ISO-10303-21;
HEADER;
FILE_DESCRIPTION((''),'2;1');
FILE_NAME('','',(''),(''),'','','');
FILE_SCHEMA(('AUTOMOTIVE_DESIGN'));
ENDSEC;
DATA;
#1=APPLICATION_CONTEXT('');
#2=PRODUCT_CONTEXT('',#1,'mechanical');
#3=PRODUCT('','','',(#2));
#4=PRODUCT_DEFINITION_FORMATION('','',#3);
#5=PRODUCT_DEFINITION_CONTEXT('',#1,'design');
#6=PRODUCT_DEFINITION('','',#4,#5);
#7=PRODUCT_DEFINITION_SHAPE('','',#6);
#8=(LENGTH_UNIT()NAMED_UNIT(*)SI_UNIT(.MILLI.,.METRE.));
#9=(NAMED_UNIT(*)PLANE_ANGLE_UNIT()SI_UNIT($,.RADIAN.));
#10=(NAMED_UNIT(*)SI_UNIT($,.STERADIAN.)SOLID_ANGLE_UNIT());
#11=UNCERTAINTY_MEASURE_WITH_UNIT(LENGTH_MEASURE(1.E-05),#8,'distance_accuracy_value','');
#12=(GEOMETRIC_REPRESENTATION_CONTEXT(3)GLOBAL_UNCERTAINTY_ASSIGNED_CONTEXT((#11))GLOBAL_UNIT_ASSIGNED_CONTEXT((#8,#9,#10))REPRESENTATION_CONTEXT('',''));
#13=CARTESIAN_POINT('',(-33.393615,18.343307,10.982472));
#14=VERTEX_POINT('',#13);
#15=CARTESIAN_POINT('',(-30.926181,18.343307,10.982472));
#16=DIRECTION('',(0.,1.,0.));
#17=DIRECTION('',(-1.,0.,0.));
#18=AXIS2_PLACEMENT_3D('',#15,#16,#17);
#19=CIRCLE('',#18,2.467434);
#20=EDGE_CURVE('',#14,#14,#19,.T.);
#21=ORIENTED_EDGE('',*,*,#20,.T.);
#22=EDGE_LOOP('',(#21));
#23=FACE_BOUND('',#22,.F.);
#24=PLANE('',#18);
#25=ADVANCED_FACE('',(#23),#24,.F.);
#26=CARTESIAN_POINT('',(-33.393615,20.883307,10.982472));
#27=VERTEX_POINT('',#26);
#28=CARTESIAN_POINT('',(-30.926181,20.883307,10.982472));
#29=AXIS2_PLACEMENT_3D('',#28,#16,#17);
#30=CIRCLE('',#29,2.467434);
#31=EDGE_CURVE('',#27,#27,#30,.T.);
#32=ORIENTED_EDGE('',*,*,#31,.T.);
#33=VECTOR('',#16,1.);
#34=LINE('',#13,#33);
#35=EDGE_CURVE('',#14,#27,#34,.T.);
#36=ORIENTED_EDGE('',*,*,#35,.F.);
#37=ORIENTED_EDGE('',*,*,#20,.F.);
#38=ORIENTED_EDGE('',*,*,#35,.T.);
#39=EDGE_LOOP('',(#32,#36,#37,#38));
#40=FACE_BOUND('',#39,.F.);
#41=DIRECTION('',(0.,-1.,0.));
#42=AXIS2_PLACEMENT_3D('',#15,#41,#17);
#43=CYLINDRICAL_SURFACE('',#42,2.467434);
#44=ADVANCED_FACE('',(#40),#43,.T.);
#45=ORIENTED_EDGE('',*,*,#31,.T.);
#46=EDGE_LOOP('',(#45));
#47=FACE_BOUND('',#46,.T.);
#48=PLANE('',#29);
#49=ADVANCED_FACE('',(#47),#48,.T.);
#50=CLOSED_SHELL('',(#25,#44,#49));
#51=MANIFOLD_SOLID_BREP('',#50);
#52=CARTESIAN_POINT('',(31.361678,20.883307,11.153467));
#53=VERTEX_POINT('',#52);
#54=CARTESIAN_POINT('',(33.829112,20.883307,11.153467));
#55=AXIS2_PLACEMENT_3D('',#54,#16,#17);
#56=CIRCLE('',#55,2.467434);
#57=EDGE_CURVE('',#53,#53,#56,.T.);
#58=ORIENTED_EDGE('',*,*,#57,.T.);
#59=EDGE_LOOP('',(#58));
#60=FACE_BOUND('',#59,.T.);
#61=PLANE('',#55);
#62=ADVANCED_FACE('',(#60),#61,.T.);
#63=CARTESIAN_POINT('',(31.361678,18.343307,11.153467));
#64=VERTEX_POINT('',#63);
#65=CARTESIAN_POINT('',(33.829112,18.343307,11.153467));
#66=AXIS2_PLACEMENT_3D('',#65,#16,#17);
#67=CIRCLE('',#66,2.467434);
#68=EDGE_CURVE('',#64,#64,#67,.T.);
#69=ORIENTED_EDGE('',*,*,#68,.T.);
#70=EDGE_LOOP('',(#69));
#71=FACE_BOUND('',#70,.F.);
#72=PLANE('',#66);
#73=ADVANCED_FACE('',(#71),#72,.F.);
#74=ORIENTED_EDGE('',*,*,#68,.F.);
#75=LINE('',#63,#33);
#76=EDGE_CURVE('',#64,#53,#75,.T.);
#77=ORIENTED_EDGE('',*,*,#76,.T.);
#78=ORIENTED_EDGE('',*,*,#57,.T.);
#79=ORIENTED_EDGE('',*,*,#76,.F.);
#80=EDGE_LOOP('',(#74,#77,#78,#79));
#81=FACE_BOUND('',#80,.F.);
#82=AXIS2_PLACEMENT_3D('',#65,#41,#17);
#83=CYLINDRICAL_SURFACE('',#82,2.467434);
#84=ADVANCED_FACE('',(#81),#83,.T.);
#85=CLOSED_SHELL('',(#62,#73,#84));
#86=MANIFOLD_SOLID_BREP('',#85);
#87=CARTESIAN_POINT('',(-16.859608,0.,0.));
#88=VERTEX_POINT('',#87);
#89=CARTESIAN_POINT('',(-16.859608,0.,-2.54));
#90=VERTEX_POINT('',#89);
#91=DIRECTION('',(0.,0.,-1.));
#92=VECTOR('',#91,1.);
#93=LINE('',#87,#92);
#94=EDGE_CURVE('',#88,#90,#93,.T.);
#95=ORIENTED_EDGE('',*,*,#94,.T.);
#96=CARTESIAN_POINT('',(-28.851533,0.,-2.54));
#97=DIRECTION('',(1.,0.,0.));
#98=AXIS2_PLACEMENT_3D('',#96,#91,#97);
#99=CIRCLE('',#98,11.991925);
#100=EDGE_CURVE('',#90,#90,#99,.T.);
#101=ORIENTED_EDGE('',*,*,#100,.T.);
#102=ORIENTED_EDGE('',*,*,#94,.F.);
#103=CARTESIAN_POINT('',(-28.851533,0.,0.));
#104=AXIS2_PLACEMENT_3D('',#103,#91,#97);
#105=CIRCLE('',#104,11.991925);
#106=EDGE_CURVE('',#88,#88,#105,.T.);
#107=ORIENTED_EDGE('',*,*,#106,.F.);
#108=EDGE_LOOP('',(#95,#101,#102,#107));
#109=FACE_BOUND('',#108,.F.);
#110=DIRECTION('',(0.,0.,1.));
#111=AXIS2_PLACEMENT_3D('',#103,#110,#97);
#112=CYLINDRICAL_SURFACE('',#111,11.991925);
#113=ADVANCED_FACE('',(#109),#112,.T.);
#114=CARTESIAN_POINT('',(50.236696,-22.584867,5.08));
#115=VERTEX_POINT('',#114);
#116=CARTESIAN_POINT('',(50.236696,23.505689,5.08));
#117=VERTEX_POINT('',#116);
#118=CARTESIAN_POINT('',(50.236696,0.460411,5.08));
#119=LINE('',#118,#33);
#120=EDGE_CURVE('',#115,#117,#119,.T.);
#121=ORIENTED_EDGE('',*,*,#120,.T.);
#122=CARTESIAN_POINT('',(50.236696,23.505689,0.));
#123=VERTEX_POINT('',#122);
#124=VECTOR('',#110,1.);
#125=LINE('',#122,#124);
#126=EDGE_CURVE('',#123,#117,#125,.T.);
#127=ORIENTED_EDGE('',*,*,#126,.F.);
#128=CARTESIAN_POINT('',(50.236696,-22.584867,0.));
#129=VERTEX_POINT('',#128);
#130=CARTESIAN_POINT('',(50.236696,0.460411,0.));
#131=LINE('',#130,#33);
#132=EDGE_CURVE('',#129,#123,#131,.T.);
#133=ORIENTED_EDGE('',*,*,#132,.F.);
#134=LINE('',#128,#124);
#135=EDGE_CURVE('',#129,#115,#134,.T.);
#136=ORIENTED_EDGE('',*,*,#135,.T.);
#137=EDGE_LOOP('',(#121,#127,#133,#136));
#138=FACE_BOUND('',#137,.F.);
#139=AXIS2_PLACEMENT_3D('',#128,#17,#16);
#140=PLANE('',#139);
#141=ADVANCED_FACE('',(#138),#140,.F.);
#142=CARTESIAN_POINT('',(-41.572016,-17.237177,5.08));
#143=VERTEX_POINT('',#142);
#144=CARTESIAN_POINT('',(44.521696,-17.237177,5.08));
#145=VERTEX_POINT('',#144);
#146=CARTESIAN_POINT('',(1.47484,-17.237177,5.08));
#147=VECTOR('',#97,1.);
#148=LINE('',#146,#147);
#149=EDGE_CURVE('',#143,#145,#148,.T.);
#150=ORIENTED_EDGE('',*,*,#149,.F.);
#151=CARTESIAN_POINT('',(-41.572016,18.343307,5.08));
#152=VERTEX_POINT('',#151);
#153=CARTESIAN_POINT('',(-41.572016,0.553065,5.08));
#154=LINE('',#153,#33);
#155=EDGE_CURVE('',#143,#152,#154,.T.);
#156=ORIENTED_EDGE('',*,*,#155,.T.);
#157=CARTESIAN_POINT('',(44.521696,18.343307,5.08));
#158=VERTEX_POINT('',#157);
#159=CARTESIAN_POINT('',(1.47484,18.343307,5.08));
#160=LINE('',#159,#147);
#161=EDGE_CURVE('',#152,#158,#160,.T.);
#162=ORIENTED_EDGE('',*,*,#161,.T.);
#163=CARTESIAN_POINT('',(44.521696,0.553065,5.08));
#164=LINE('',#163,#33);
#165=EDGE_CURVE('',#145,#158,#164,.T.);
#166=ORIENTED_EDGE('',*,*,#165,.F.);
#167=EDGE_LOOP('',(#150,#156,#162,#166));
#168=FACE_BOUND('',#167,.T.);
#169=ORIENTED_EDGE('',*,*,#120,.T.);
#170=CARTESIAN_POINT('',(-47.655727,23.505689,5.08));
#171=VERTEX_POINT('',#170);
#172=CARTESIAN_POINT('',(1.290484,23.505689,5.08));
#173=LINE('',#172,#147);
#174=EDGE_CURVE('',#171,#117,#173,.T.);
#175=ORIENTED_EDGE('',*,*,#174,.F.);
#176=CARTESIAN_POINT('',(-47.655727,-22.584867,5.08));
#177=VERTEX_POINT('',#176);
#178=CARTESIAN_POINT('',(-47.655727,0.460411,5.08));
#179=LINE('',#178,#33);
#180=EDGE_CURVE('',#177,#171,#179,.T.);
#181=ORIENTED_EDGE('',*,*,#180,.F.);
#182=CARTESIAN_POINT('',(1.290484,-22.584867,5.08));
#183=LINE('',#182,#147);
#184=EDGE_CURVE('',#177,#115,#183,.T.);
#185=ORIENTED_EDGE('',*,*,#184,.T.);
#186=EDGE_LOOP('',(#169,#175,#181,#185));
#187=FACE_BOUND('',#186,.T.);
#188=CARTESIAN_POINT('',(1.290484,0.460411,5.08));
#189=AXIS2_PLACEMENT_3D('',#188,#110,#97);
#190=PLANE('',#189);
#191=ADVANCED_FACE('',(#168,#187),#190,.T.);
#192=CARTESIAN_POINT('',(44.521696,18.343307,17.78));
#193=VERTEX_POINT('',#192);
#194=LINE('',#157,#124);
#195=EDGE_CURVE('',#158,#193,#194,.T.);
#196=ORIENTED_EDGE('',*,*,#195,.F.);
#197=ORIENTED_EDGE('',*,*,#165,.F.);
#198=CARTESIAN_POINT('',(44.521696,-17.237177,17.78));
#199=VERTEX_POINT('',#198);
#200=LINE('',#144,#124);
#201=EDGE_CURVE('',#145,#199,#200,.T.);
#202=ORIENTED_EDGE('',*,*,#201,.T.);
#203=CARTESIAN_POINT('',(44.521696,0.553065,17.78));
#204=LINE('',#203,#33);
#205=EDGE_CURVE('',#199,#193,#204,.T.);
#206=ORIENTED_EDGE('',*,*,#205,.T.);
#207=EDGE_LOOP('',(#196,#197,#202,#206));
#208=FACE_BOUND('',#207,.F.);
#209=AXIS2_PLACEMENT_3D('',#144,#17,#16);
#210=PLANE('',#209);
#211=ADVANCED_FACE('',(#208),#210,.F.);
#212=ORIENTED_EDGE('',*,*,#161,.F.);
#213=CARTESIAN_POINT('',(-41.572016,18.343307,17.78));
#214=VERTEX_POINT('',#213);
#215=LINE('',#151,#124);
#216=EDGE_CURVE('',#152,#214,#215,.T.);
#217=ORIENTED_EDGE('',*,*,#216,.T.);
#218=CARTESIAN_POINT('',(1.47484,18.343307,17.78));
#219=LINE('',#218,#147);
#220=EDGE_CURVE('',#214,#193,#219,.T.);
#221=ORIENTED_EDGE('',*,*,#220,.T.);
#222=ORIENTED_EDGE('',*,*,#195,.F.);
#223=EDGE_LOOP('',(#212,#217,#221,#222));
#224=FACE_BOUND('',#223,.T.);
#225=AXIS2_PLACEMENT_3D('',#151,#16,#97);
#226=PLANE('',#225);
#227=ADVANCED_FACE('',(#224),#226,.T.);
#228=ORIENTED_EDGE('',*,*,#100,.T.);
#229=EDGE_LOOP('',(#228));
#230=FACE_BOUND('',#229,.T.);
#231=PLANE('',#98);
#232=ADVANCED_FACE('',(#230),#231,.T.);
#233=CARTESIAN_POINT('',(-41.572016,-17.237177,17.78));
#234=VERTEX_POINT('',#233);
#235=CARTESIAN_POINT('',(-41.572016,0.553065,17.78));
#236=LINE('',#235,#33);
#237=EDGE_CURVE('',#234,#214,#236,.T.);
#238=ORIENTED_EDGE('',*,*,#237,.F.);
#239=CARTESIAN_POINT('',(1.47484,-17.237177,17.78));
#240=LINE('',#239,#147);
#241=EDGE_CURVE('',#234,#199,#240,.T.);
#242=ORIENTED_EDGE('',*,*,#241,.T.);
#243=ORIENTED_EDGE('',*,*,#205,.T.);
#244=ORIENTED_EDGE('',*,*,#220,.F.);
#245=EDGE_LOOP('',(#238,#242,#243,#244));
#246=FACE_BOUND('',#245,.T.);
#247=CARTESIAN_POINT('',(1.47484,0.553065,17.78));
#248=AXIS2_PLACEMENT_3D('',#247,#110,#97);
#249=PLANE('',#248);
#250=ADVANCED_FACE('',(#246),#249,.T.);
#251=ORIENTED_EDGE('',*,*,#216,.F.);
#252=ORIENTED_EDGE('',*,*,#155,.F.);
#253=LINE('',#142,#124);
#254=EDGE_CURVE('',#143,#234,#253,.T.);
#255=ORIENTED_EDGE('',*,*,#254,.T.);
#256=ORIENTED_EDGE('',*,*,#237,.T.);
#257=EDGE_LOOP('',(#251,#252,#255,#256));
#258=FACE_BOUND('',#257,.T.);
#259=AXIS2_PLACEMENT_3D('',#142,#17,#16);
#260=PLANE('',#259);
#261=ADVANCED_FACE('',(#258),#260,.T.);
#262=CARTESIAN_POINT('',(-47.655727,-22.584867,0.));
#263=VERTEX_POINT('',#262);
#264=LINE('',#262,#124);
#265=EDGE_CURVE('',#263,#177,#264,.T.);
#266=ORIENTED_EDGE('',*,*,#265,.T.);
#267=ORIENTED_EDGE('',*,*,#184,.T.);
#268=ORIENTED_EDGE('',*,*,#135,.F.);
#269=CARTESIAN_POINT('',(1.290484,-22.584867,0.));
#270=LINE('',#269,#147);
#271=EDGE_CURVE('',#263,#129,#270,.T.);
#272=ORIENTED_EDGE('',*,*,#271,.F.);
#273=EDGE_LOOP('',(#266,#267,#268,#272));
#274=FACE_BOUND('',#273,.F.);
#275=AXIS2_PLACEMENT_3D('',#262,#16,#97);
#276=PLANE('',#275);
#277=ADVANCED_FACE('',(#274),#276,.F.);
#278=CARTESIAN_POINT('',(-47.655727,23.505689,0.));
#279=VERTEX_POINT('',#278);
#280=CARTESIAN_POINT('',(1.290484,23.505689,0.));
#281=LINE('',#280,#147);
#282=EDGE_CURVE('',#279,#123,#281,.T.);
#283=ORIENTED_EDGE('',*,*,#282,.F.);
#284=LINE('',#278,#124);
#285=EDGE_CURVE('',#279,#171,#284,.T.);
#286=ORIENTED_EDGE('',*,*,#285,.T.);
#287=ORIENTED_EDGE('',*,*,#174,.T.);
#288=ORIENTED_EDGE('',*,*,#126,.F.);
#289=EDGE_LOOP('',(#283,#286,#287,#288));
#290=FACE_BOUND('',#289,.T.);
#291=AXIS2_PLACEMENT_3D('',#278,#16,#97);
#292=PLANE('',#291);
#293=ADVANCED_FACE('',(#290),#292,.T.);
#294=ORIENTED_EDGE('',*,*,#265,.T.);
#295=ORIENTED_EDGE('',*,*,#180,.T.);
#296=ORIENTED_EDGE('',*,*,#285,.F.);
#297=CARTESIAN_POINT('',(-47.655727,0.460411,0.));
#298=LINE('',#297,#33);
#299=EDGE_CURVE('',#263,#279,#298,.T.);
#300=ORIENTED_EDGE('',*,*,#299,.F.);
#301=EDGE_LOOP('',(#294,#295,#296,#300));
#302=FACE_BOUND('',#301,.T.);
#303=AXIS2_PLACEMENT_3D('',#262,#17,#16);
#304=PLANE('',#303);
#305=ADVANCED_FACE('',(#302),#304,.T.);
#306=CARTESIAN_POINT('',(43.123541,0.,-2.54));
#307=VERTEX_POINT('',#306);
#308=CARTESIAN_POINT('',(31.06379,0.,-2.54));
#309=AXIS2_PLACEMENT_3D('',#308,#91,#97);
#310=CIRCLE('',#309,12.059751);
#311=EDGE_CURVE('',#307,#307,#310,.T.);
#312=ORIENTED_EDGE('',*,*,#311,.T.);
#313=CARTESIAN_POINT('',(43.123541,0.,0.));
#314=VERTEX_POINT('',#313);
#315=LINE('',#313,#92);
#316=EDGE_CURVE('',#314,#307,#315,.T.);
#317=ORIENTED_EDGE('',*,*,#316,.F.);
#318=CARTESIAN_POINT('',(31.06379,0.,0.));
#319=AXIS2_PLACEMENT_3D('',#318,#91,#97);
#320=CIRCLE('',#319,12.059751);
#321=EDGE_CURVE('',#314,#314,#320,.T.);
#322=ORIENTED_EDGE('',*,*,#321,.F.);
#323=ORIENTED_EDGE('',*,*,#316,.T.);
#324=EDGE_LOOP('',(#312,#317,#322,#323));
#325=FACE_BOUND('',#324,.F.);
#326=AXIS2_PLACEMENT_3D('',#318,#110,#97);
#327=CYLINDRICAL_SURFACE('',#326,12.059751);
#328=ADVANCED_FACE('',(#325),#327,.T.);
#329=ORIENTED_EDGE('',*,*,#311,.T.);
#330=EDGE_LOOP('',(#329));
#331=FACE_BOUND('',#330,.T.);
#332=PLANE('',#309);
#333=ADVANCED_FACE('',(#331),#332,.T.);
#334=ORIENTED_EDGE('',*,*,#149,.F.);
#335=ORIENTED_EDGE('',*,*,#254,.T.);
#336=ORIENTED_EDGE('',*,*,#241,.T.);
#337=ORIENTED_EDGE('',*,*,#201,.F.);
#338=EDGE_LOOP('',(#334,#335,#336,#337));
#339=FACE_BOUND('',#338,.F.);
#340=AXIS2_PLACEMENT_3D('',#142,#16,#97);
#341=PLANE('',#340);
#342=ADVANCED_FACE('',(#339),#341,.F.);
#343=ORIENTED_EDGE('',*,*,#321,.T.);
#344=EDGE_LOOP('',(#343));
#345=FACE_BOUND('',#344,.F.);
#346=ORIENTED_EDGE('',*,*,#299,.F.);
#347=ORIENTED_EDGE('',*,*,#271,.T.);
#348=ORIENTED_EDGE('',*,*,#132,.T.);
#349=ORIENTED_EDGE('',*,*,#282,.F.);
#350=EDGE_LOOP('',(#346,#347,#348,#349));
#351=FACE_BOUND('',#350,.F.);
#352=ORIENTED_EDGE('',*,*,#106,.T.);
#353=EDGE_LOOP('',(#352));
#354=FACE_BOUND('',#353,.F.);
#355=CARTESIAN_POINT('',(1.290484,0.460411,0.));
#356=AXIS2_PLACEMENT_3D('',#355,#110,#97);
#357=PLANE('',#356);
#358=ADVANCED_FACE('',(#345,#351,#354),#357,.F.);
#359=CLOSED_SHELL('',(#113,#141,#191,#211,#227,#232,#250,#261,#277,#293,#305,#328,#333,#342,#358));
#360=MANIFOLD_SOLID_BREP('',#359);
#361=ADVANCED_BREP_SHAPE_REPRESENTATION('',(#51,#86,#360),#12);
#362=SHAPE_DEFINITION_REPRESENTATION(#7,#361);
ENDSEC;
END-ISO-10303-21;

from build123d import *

# Parameters (mm, degrees)
F0_W     = 97.892423
F0_H     = 46.090555
F1_DEPTH = 5.08
F2_W     = 86.093713
F2_H     = 35.580484
F3_DEPTH = 12.7
F4_R     = 11.991925
F4_R_2   = 12.059751
F5_DEPTH = 2.54
F6_R     = 2.467434
F7_DEPTH = 2.54


with BuildPart() as f1:
    # F0 (on Top) → F1 (new body)
    with BuildSketch(Plane.XY):
        with Locations((1.290484, 0.460411)):
            Rectangle(F0_W, F0_H)
    extrude(amount=F1_DEPTH)

    # F2 (on face) → F3 (join)
    with BuildSketch(Plane.XY.offset(5.08)):
        with Locations((1.47484, 0.553065)):
            Rectangle(F2_W, F2_H)
    extrude(amount=F3_DEPTH)

    # F4 (on face) → F5 (join)
    with BuildSketch(Plane(origin=(0, 0, 0), x_dir=(1, 0, 0), z_dir=(0, 0, -1))):
        with Locations((-28.851533, 0)):
            Circle(F4_R)
        with Locations((31.06379, 0)):
            Circle(F4_R_2)
    extrude(amount=F5_DEPTH)


with BuildPart() as f7:
    # F6 (on face) → F7 (new body)
    with BuildSketch(Plane(origin=(0, 18.343307, 0), x_dir=(-1, 0, 0), z_dir=(0, 1, 0))):
        with Locations((30.926181, 10.982472)):
            Circle(F6_R)
        with Locations((-33.829112, 11.153467)):
            Circle(F6_R)
    extrude(amount=F7_DEPTH)


solid = Compound([f1.part, f7.part])
